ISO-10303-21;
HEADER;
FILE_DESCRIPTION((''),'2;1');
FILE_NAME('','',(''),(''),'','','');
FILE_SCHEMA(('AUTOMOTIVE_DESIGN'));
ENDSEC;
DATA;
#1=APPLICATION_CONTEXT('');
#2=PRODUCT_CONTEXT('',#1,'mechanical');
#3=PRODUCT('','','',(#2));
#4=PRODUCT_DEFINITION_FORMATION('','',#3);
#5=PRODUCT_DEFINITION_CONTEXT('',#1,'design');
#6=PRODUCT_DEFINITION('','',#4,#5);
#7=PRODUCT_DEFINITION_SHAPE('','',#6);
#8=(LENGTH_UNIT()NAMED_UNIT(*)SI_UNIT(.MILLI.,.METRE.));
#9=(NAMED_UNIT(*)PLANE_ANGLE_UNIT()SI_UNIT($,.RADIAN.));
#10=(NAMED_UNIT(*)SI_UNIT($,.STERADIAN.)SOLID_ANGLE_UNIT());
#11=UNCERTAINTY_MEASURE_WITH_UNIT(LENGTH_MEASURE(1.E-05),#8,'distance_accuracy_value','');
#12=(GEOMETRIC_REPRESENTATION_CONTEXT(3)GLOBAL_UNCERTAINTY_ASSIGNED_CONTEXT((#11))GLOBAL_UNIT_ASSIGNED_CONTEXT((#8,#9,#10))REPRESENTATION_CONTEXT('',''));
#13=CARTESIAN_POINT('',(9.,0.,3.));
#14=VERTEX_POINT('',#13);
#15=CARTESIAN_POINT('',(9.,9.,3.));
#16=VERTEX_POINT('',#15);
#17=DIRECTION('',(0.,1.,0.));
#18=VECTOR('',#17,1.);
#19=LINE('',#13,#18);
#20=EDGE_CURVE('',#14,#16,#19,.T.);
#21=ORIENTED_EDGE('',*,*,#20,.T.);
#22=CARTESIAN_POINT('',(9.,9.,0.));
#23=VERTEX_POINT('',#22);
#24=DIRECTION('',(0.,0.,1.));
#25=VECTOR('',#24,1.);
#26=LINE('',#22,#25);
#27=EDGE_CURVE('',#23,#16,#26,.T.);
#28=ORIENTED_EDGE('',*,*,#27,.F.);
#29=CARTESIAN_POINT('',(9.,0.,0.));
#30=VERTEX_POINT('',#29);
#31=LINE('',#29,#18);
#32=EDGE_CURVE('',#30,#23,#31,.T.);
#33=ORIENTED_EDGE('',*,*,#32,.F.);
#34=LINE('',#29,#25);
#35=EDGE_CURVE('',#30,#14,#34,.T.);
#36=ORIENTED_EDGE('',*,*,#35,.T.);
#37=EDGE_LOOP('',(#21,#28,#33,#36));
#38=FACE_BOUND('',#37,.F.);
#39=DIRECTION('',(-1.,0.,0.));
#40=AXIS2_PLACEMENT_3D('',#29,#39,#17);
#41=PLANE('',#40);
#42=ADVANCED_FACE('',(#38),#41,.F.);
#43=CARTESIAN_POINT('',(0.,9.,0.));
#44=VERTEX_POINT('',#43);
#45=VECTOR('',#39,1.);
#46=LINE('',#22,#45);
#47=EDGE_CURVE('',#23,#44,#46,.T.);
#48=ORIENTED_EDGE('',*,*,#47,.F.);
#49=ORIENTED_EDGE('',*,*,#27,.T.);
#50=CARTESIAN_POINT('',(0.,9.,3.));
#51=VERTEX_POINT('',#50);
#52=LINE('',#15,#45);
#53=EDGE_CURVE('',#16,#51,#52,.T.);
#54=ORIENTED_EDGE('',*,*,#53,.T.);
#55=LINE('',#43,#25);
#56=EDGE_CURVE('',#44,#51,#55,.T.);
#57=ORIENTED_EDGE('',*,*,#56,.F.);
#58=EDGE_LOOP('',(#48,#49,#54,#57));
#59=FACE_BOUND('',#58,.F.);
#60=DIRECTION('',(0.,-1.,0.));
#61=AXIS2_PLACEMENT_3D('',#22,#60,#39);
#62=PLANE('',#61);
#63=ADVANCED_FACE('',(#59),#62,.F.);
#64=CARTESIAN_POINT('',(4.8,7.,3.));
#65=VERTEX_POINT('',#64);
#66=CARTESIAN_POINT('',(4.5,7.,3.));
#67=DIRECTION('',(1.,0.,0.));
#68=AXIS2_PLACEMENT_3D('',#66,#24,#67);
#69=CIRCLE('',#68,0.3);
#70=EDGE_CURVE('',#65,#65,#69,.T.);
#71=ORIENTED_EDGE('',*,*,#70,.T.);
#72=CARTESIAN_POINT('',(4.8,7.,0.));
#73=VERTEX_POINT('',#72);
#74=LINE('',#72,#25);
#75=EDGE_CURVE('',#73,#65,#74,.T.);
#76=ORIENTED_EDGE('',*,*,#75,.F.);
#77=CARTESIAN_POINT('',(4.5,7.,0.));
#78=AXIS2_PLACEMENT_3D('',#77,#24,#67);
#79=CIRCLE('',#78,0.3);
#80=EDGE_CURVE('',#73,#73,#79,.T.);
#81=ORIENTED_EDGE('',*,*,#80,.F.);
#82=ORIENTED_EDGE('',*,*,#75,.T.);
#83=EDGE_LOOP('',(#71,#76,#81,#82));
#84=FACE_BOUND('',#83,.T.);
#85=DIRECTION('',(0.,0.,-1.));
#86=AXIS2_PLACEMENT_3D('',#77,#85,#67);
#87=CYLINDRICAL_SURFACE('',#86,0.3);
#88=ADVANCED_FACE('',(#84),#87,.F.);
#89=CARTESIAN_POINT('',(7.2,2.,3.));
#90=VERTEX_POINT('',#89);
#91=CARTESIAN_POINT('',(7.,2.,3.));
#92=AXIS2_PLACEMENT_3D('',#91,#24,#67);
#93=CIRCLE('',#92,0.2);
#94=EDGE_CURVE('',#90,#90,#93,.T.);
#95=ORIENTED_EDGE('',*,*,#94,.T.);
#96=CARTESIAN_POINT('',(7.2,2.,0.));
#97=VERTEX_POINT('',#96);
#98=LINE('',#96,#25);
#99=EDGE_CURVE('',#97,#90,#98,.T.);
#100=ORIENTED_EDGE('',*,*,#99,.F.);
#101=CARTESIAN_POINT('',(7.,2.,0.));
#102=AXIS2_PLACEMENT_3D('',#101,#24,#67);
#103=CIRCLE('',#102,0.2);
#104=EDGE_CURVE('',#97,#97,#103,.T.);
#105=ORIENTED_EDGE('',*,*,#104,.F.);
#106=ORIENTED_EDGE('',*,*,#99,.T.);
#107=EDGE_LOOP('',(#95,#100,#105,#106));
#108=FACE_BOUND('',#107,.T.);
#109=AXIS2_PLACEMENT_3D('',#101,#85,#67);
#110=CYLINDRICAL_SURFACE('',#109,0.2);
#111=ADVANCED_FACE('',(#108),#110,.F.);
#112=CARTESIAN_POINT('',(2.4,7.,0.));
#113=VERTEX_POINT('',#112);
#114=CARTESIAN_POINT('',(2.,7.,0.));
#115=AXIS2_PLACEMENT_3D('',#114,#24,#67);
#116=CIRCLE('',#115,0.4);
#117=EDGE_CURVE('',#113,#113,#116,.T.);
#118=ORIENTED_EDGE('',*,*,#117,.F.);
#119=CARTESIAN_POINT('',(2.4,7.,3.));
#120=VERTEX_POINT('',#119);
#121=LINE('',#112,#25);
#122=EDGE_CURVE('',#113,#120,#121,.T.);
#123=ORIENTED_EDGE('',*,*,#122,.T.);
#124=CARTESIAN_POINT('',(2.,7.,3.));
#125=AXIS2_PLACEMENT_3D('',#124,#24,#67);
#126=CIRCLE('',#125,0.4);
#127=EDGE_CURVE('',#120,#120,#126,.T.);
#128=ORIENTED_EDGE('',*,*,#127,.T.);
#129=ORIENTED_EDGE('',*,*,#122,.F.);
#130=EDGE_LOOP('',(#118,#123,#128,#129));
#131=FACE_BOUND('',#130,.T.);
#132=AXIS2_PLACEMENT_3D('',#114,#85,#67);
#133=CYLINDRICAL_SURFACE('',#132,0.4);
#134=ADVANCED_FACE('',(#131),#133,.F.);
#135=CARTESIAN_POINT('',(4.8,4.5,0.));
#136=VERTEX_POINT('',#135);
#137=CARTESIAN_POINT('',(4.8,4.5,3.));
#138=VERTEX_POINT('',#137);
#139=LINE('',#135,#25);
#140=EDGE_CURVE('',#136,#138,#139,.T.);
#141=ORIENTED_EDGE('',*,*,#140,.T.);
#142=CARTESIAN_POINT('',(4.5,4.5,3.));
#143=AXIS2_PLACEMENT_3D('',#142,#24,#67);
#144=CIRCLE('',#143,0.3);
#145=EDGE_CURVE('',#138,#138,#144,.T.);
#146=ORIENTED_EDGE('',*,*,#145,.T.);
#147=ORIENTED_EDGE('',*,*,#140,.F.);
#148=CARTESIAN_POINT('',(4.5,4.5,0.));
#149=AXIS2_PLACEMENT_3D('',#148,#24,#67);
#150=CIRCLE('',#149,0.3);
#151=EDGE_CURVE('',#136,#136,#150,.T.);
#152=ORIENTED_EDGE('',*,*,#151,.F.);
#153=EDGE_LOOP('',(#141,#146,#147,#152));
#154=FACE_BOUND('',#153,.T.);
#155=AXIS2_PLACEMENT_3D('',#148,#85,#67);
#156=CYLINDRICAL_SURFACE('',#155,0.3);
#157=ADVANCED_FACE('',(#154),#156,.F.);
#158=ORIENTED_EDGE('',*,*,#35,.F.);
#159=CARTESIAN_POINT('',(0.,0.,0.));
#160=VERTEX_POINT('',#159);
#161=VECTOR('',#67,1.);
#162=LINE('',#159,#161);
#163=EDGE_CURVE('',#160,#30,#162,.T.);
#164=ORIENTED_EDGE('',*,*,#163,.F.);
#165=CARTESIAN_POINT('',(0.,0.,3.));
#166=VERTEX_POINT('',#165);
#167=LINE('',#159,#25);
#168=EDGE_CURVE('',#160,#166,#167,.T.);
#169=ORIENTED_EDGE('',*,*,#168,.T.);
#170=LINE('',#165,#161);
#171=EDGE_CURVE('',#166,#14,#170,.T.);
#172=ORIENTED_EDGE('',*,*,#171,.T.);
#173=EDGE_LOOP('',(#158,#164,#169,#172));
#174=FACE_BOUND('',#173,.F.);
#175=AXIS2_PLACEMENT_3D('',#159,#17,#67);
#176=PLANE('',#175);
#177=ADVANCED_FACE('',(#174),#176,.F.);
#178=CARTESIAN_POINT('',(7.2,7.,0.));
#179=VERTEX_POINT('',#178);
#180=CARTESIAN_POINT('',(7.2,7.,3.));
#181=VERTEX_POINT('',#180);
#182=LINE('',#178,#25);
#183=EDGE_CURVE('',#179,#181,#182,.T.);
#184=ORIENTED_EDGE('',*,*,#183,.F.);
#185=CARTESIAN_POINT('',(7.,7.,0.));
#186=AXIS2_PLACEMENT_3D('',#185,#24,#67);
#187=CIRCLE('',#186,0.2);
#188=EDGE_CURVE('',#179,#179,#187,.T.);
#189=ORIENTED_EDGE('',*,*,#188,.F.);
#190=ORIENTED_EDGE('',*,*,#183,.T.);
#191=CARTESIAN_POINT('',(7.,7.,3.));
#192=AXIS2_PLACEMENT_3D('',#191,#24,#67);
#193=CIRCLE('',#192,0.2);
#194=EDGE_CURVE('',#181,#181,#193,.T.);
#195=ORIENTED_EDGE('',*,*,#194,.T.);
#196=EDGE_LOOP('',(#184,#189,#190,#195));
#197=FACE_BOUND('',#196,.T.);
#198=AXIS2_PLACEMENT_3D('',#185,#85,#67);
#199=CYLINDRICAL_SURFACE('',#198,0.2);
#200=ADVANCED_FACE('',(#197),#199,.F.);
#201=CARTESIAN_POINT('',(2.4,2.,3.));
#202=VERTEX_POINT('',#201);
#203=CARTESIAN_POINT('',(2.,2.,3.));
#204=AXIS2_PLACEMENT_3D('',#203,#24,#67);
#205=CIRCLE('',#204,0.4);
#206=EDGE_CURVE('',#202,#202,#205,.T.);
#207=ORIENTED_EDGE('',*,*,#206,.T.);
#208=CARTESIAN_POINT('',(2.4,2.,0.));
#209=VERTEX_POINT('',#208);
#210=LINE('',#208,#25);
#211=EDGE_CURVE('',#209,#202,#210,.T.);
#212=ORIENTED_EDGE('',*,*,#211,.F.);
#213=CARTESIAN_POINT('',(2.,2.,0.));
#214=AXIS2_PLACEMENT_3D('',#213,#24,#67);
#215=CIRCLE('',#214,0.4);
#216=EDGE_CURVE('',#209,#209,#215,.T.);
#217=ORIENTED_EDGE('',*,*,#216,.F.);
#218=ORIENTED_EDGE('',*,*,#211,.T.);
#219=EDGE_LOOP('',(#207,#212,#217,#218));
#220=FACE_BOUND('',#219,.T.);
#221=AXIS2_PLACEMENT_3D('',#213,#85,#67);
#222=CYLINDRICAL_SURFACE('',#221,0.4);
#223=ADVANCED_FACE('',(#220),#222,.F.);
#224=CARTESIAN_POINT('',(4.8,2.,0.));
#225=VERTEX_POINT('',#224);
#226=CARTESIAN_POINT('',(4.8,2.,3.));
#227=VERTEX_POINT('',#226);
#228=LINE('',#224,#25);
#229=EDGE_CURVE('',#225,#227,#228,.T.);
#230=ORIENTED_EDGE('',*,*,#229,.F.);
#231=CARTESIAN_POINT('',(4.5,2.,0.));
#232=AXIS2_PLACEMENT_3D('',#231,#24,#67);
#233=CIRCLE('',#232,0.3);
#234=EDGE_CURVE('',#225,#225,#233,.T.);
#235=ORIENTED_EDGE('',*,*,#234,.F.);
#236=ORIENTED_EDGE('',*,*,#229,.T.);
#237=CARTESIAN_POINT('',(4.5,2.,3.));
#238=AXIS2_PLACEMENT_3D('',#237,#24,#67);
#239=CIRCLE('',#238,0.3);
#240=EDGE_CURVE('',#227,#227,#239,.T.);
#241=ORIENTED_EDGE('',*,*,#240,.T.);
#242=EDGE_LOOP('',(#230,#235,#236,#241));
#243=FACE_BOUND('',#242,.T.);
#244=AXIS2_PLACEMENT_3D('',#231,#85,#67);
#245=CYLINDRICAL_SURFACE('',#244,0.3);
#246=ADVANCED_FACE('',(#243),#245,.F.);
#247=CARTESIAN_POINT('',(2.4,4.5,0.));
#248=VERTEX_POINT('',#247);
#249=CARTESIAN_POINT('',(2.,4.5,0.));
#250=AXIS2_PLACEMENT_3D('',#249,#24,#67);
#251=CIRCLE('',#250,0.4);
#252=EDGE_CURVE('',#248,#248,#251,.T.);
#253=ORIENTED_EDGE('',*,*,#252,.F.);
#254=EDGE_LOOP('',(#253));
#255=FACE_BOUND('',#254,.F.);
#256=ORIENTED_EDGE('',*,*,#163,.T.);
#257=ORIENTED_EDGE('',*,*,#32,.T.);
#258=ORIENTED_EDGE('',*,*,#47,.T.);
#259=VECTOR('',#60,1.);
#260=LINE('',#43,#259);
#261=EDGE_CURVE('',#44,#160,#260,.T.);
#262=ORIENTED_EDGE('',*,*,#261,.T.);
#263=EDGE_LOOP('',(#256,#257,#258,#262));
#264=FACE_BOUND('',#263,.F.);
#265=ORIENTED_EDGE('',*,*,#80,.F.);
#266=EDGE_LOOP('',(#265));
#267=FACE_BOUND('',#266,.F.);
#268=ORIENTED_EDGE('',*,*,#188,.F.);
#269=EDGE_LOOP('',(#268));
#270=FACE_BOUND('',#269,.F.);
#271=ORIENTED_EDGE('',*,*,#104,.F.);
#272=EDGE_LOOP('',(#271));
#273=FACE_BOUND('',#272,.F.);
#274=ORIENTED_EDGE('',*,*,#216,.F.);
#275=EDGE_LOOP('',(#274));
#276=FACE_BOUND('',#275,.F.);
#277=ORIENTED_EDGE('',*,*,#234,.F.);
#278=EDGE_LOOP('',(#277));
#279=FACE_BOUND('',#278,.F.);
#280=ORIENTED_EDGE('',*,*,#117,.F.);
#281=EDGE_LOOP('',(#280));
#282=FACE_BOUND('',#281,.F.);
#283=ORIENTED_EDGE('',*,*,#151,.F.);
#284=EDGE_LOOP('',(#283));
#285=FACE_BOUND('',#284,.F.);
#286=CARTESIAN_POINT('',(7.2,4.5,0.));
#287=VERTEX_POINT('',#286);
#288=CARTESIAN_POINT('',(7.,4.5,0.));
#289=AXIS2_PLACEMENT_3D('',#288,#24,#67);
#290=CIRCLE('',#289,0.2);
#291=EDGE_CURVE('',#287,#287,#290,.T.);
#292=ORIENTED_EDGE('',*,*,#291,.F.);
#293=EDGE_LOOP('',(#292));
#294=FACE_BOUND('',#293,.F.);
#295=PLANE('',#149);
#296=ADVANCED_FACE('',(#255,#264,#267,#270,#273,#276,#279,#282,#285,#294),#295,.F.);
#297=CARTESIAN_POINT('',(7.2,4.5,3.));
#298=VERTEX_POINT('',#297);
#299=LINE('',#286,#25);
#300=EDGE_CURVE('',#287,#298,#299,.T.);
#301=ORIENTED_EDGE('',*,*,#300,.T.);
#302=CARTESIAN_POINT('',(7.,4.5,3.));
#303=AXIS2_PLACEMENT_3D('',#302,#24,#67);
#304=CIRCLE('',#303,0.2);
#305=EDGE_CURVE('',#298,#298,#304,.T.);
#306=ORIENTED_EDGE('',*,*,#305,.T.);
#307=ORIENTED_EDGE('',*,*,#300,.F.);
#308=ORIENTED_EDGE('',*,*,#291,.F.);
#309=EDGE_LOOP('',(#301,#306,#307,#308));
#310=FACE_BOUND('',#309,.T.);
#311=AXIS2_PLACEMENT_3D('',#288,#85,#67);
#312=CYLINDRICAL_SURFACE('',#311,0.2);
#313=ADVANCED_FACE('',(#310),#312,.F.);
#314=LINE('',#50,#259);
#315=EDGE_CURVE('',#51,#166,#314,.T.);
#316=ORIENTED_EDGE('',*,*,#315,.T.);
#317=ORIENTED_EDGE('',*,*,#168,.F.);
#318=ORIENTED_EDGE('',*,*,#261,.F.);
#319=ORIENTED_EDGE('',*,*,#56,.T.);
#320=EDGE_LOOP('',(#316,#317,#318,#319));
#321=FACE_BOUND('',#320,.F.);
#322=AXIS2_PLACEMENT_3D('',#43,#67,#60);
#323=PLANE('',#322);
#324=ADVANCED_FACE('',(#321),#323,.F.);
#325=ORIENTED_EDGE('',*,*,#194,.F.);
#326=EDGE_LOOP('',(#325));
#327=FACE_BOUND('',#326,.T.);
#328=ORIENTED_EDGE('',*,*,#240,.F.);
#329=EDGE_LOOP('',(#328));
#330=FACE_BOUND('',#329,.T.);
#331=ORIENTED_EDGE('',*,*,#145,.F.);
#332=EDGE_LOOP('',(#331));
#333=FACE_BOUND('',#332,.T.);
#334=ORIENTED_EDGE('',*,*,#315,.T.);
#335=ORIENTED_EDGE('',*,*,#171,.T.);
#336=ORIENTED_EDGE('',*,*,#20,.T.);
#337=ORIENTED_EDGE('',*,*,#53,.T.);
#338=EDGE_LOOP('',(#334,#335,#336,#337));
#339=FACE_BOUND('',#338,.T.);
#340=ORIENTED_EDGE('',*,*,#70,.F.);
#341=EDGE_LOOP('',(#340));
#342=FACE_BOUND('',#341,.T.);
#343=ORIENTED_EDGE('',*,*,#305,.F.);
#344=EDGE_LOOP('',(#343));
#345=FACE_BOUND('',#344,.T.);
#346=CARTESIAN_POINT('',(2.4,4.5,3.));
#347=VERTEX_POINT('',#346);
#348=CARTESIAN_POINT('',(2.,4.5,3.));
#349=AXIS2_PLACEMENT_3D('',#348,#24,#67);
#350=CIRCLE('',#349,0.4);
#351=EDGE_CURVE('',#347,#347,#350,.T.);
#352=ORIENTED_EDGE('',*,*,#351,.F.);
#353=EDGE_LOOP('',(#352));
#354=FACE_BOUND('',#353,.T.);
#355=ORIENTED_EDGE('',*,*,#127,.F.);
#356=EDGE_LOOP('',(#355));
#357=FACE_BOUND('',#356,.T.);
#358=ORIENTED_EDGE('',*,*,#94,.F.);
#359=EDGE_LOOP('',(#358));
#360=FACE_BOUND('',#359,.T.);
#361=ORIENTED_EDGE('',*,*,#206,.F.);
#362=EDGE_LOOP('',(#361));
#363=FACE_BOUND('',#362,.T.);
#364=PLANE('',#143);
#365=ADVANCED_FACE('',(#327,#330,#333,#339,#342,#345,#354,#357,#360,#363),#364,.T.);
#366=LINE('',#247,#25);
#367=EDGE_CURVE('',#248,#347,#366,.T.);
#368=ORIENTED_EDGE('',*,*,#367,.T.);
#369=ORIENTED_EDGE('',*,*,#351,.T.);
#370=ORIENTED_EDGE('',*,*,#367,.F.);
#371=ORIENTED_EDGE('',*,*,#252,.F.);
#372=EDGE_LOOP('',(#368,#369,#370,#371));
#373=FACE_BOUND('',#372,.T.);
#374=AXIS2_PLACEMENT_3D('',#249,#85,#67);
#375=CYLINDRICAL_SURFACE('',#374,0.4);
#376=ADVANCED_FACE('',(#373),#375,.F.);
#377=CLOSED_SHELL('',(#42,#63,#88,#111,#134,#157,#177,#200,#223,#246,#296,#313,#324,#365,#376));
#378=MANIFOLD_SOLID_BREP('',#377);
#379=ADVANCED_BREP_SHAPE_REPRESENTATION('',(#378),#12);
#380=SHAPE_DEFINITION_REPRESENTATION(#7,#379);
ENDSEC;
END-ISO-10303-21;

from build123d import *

# Parameters (mm, degrees)
SKETCH_R   = 0.4
SKETCH_R_2 = 0.3
SKETCH_R_3 = 0.2
PAD_DEPTH  = 3


with BuildPart() as part:
    # Sketch → Pad (new body)
    with BuildSketch(Plane.XY):
        Polygon((0, 0), (9, 0), (9, 9), (0, 9), (0, 7), (0, 4.5), (0, 2), align=None)
        with Locations((2, 2)):
            Circle(SKETCH_R, mode=Mode.SUBTRACT)
        with Locations((4.5, 2)):
            Circle(SKETCH_R_2, mode=Mode.SUBTRACT)
        with Locations((7, 2)):
            Circle(SKETCH_R_3, mode=Mode.SUBTRACT)
        with Locations((2, 4.5)):
            Circle(SKETCH_R, mode=Mode.SUBTRACT)
        with Locations((4.5, 4.5)):
            Circle(SKETCH_R_2, mode=Mode.SUBTRACT)
        with Locations((7, 4.5)):
            Circle(SKETCH_R_3, mode=Mode.SUBTRACT)
        with Locations((2, 7)):
            Circle(SKETCH_R, mode=Mode.SUBTRACT)
        with Locations((4.5, 7)):
            Circle(SKETCH_R_2, mode=Mode.SUBTRACT)
        with Locations((7, 7)):
            Circle(SKETCH_R_3, mode=Mode.SUBTRACT)
    extrude(amount=PAD_DEPTH)


solid = part.part
